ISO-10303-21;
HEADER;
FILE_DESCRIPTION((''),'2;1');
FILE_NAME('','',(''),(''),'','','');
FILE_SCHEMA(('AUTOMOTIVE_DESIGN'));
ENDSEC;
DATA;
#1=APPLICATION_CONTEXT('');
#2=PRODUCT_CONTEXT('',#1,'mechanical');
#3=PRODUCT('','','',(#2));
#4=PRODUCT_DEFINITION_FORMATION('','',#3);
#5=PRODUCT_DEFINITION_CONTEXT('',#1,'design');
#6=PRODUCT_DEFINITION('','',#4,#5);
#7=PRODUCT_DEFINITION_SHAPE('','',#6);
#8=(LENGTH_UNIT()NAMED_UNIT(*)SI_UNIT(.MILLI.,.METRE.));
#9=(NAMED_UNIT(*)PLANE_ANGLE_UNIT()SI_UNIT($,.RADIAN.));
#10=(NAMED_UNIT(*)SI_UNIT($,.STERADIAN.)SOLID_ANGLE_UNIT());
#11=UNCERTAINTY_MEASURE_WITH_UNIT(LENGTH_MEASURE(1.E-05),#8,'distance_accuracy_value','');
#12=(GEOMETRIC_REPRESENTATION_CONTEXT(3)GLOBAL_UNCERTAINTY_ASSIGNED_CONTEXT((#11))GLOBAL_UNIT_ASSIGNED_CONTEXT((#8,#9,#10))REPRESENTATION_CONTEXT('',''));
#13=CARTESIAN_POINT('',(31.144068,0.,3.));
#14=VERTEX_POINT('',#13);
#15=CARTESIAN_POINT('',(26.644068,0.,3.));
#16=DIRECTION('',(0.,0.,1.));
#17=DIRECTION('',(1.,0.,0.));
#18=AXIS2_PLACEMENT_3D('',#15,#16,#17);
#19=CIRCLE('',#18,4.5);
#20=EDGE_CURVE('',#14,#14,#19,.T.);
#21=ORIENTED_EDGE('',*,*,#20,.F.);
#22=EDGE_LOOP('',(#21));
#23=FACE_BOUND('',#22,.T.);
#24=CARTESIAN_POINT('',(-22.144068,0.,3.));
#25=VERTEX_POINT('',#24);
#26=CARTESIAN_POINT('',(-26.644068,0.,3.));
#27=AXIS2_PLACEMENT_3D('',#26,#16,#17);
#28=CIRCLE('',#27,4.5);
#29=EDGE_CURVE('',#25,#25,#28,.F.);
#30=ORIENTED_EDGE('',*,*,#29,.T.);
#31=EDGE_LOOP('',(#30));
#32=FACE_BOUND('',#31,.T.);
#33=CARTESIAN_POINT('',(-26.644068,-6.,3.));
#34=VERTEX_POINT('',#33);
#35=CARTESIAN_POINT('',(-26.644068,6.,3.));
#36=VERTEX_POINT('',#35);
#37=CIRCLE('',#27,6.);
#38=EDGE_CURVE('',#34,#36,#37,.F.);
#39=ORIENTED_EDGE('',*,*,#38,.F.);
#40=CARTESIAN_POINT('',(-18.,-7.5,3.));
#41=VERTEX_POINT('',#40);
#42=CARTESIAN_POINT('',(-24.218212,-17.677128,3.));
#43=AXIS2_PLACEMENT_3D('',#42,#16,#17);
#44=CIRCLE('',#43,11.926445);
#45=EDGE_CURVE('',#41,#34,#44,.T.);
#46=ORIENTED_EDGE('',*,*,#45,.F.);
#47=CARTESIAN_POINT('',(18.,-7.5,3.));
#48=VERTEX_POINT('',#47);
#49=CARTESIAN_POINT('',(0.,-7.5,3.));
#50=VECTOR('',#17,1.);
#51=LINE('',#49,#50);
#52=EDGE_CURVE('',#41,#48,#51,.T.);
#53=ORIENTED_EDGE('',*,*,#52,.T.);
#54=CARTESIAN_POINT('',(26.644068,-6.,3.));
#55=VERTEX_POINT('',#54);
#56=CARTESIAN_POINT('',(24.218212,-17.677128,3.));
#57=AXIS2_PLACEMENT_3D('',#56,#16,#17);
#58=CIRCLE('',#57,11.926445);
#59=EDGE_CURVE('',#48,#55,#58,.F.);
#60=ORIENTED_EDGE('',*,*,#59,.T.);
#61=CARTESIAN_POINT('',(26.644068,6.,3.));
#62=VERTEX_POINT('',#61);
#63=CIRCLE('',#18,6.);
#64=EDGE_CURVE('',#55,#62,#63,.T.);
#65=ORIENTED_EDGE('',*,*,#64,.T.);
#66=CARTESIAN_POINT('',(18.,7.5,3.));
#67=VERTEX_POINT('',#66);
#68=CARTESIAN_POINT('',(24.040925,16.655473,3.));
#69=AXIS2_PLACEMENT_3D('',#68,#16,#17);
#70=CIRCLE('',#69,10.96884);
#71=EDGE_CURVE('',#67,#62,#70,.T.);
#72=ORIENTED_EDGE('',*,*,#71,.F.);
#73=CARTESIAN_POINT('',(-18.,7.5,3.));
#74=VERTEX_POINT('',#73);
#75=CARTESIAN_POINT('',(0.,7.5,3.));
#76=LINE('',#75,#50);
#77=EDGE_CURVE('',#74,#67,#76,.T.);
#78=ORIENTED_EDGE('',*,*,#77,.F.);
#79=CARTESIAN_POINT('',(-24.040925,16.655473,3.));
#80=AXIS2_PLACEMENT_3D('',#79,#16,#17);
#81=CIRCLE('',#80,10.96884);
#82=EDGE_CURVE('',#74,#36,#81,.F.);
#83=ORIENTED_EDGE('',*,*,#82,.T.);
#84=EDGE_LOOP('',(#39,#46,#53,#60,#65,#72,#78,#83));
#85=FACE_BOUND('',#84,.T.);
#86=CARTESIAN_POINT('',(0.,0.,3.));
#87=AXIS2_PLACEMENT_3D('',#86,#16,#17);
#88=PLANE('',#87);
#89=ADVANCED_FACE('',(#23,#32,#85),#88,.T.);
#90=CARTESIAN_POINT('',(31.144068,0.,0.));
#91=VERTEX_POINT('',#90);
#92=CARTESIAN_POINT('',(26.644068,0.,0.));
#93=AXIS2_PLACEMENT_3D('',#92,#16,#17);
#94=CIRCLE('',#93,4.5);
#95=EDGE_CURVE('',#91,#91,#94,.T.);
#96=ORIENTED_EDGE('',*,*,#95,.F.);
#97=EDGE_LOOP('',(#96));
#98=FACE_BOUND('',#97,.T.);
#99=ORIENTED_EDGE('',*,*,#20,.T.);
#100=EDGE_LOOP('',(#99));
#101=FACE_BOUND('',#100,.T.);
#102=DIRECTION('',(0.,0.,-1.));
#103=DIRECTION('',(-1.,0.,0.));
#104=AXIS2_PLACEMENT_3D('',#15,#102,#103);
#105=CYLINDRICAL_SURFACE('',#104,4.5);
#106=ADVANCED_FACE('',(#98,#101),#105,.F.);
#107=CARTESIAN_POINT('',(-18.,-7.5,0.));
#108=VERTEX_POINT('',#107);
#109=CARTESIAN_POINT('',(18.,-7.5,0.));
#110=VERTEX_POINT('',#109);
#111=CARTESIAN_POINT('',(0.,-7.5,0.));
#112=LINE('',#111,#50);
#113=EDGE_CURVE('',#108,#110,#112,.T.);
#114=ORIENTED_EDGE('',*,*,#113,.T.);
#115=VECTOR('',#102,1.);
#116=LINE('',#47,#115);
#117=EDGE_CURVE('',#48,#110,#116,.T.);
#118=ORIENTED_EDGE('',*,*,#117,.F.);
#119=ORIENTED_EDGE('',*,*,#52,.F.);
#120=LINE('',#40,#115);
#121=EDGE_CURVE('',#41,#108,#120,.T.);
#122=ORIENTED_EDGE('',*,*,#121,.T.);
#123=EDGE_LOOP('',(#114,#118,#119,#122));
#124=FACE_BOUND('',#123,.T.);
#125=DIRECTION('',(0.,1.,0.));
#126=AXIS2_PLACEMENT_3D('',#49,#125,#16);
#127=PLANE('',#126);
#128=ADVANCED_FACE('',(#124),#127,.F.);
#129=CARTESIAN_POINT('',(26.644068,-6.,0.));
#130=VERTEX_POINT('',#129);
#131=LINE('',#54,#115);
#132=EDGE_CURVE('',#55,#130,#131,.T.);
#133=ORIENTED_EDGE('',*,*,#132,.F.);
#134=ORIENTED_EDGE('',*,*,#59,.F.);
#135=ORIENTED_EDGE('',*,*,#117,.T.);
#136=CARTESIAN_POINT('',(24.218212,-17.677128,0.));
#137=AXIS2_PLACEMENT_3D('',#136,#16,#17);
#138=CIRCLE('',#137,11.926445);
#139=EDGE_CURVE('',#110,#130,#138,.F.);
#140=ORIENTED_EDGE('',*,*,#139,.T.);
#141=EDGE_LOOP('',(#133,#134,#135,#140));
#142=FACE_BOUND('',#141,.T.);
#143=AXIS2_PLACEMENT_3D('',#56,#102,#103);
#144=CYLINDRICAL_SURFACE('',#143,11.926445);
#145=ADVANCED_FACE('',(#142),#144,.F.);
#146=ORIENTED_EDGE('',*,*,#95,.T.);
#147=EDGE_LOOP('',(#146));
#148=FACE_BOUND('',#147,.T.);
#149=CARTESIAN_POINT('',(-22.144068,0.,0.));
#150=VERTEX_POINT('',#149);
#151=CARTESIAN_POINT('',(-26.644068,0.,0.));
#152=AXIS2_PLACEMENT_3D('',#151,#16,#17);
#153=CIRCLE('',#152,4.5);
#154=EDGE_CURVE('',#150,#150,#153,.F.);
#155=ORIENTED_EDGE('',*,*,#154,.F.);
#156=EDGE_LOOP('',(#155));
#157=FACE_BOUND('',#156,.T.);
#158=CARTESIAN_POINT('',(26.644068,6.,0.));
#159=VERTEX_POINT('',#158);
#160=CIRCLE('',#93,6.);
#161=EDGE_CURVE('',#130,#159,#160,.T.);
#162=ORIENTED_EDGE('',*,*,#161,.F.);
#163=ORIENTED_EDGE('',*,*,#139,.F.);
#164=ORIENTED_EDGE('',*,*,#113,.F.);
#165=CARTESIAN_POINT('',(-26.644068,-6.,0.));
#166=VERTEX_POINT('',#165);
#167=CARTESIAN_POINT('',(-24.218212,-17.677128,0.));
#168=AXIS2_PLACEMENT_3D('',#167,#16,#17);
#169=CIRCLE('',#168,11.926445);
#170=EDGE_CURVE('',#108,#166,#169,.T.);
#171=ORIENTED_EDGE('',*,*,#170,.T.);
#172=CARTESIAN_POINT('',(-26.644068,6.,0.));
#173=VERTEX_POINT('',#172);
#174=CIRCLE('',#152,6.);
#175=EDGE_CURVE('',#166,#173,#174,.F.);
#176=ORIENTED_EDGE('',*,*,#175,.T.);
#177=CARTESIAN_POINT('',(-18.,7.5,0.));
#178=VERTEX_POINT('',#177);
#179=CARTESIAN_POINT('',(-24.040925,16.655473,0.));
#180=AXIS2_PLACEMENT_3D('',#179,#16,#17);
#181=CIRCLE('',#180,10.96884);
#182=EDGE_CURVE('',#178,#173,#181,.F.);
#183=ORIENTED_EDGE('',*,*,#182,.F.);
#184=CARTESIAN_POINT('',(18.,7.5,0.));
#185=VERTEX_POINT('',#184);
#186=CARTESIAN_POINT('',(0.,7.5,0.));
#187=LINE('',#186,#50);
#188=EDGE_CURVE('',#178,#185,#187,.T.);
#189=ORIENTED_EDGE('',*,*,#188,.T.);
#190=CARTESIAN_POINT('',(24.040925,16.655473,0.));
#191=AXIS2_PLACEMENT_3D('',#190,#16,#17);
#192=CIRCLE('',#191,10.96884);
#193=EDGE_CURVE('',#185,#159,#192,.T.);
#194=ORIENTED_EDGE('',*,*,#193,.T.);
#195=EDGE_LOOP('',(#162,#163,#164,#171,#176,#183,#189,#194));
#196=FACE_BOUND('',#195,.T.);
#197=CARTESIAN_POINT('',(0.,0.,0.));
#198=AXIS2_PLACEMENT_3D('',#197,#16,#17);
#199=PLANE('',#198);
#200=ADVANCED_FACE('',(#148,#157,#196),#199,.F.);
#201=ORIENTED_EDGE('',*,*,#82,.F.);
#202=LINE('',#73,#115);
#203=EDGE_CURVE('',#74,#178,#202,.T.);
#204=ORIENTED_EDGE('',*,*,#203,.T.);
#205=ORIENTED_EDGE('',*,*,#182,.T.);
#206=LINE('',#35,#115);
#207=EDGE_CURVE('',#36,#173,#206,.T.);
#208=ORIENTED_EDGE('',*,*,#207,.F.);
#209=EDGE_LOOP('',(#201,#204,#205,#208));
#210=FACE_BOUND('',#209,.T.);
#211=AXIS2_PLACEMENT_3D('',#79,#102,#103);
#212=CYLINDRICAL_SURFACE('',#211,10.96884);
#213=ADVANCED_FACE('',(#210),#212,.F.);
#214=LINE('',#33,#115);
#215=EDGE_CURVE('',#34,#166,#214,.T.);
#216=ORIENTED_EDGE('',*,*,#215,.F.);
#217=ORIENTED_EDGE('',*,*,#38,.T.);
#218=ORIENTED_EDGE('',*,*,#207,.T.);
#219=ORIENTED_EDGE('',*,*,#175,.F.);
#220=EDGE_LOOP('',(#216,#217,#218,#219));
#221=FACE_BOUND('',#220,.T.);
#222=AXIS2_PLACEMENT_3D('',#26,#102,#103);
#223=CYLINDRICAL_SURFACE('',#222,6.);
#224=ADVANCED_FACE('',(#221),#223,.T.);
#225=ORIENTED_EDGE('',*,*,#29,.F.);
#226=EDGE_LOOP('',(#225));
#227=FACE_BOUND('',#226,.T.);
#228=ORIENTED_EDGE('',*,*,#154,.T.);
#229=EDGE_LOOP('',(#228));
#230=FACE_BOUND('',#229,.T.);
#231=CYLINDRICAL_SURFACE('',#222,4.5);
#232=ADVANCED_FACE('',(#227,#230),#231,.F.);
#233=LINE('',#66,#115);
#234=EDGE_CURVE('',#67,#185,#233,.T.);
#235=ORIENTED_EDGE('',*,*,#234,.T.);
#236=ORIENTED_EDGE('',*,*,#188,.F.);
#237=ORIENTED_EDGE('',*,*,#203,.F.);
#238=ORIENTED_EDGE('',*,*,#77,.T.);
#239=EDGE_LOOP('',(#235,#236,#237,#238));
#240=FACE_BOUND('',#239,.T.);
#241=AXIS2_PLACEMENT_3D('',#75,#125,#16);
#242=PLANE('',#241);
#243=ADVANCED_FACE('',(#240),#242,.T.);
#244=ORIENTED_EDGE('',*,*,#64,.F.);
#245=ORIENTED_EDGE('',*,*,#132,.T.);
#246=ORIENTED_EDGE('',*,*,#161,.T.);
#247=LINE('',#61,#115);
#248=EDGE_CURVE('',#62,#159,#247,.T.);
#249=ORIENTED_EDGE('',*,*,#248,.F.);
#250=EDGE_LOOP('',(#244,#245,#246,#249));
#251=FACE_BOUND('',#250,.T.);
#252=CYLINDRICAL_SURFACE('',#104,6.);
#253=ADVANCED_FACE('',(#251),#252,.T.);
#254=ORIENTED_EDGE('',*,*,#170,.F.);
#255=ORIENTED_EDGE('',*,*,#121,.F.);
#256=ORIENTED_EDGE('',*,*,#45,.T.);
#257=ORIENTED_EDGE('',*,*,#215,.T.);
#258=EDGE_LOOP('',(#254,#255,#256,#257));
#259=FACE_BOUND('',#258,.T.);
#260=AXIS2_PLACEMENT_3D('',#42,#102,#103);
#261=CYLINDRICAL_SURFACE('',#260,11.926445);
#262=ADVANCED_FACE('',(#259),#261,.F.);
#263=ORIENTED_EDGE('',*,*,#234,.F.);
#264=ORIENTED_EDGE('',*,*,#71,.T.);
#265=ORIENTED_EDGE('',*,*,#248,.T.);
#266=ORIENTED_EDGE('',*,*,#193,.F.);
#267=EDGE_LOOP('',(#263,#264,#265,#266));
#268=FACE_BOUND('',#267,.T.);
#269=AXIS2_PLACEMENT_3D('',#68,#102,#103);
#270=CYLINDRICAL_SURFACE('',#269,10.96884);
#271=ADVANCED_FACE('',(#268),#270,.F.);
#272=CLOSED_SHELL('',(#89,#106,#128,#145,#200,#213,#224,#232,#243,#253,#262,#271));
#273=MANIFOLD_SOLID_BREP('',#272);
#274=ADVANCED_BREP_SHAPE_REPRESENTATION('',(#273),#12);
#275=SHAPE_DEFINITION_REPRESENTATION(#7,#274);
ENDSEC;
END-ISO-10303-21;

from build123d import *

# Parameters (mm, degrees)
SKETCH1_R           = 4.5
BOSS_EXTRUDE1_DEPTH = 3


with BuildPart() as part:
    # Sketch1 → Boss-Extrude1 (new body)
    with BuildSketch(Plane.XY):
        with BuildLine():
            ThreePointArc((-25.027731338, -5.77818799), (-21.380140782, -6.093283782), (-18, -7.5))
            Line((-18, -7.5), (18, -7.5))
            ThreePointArc((18, -7.5), (21.380140782, -6.093283782), (25.027731338, -5.77818799))
            ThreePointArc((25.027731338, -5.77818799), (25.839696877, -5.861423129), (26.644067797, -6))
            ThreePointArc((26.644067797, -6), (32.644067797, 0), (26.644067797, 6))
            ThreePointArc((26.644067797, 6), (25.734720833, 5.818198735), (24.813267337, 5.713857688))
            ThreePointArc((24.813267337, 5.713857688), (21.259366627, 6.045176449), (18, 7.5))
            Line((18, 7.5), (-18, 7.5))
            ThreePointArc((-18, 7.5), (-21.259366627, 6.045176449), (-24.813267337, 5.713857688))
            ThreePointArc((-24.813267337, 5.713857688), (-25.734720833, 5.818198735), (-26.644067797, 6))
            ThreePointArc((-26.644067797, 6), (-32.644067797, 0), (-26.644067797, -6))
            ThreePointArc((-26.644067797, -6), (-25.839696877, -5.861423129), (-25.027731338, -5.77818799))
        make_face()
        with Locations((-26.644067797, 0)):
            Circle(SKETCH1_R, mode=Mode.SUBTRACT)
        with Locations((26.644067797, 0)):
            Circle(SKETCH1_R, mode=Mode.SUBTRACT)
    extrude(amount=BOSS_EXTRUDE1_DEPTH)


solid = part.part
